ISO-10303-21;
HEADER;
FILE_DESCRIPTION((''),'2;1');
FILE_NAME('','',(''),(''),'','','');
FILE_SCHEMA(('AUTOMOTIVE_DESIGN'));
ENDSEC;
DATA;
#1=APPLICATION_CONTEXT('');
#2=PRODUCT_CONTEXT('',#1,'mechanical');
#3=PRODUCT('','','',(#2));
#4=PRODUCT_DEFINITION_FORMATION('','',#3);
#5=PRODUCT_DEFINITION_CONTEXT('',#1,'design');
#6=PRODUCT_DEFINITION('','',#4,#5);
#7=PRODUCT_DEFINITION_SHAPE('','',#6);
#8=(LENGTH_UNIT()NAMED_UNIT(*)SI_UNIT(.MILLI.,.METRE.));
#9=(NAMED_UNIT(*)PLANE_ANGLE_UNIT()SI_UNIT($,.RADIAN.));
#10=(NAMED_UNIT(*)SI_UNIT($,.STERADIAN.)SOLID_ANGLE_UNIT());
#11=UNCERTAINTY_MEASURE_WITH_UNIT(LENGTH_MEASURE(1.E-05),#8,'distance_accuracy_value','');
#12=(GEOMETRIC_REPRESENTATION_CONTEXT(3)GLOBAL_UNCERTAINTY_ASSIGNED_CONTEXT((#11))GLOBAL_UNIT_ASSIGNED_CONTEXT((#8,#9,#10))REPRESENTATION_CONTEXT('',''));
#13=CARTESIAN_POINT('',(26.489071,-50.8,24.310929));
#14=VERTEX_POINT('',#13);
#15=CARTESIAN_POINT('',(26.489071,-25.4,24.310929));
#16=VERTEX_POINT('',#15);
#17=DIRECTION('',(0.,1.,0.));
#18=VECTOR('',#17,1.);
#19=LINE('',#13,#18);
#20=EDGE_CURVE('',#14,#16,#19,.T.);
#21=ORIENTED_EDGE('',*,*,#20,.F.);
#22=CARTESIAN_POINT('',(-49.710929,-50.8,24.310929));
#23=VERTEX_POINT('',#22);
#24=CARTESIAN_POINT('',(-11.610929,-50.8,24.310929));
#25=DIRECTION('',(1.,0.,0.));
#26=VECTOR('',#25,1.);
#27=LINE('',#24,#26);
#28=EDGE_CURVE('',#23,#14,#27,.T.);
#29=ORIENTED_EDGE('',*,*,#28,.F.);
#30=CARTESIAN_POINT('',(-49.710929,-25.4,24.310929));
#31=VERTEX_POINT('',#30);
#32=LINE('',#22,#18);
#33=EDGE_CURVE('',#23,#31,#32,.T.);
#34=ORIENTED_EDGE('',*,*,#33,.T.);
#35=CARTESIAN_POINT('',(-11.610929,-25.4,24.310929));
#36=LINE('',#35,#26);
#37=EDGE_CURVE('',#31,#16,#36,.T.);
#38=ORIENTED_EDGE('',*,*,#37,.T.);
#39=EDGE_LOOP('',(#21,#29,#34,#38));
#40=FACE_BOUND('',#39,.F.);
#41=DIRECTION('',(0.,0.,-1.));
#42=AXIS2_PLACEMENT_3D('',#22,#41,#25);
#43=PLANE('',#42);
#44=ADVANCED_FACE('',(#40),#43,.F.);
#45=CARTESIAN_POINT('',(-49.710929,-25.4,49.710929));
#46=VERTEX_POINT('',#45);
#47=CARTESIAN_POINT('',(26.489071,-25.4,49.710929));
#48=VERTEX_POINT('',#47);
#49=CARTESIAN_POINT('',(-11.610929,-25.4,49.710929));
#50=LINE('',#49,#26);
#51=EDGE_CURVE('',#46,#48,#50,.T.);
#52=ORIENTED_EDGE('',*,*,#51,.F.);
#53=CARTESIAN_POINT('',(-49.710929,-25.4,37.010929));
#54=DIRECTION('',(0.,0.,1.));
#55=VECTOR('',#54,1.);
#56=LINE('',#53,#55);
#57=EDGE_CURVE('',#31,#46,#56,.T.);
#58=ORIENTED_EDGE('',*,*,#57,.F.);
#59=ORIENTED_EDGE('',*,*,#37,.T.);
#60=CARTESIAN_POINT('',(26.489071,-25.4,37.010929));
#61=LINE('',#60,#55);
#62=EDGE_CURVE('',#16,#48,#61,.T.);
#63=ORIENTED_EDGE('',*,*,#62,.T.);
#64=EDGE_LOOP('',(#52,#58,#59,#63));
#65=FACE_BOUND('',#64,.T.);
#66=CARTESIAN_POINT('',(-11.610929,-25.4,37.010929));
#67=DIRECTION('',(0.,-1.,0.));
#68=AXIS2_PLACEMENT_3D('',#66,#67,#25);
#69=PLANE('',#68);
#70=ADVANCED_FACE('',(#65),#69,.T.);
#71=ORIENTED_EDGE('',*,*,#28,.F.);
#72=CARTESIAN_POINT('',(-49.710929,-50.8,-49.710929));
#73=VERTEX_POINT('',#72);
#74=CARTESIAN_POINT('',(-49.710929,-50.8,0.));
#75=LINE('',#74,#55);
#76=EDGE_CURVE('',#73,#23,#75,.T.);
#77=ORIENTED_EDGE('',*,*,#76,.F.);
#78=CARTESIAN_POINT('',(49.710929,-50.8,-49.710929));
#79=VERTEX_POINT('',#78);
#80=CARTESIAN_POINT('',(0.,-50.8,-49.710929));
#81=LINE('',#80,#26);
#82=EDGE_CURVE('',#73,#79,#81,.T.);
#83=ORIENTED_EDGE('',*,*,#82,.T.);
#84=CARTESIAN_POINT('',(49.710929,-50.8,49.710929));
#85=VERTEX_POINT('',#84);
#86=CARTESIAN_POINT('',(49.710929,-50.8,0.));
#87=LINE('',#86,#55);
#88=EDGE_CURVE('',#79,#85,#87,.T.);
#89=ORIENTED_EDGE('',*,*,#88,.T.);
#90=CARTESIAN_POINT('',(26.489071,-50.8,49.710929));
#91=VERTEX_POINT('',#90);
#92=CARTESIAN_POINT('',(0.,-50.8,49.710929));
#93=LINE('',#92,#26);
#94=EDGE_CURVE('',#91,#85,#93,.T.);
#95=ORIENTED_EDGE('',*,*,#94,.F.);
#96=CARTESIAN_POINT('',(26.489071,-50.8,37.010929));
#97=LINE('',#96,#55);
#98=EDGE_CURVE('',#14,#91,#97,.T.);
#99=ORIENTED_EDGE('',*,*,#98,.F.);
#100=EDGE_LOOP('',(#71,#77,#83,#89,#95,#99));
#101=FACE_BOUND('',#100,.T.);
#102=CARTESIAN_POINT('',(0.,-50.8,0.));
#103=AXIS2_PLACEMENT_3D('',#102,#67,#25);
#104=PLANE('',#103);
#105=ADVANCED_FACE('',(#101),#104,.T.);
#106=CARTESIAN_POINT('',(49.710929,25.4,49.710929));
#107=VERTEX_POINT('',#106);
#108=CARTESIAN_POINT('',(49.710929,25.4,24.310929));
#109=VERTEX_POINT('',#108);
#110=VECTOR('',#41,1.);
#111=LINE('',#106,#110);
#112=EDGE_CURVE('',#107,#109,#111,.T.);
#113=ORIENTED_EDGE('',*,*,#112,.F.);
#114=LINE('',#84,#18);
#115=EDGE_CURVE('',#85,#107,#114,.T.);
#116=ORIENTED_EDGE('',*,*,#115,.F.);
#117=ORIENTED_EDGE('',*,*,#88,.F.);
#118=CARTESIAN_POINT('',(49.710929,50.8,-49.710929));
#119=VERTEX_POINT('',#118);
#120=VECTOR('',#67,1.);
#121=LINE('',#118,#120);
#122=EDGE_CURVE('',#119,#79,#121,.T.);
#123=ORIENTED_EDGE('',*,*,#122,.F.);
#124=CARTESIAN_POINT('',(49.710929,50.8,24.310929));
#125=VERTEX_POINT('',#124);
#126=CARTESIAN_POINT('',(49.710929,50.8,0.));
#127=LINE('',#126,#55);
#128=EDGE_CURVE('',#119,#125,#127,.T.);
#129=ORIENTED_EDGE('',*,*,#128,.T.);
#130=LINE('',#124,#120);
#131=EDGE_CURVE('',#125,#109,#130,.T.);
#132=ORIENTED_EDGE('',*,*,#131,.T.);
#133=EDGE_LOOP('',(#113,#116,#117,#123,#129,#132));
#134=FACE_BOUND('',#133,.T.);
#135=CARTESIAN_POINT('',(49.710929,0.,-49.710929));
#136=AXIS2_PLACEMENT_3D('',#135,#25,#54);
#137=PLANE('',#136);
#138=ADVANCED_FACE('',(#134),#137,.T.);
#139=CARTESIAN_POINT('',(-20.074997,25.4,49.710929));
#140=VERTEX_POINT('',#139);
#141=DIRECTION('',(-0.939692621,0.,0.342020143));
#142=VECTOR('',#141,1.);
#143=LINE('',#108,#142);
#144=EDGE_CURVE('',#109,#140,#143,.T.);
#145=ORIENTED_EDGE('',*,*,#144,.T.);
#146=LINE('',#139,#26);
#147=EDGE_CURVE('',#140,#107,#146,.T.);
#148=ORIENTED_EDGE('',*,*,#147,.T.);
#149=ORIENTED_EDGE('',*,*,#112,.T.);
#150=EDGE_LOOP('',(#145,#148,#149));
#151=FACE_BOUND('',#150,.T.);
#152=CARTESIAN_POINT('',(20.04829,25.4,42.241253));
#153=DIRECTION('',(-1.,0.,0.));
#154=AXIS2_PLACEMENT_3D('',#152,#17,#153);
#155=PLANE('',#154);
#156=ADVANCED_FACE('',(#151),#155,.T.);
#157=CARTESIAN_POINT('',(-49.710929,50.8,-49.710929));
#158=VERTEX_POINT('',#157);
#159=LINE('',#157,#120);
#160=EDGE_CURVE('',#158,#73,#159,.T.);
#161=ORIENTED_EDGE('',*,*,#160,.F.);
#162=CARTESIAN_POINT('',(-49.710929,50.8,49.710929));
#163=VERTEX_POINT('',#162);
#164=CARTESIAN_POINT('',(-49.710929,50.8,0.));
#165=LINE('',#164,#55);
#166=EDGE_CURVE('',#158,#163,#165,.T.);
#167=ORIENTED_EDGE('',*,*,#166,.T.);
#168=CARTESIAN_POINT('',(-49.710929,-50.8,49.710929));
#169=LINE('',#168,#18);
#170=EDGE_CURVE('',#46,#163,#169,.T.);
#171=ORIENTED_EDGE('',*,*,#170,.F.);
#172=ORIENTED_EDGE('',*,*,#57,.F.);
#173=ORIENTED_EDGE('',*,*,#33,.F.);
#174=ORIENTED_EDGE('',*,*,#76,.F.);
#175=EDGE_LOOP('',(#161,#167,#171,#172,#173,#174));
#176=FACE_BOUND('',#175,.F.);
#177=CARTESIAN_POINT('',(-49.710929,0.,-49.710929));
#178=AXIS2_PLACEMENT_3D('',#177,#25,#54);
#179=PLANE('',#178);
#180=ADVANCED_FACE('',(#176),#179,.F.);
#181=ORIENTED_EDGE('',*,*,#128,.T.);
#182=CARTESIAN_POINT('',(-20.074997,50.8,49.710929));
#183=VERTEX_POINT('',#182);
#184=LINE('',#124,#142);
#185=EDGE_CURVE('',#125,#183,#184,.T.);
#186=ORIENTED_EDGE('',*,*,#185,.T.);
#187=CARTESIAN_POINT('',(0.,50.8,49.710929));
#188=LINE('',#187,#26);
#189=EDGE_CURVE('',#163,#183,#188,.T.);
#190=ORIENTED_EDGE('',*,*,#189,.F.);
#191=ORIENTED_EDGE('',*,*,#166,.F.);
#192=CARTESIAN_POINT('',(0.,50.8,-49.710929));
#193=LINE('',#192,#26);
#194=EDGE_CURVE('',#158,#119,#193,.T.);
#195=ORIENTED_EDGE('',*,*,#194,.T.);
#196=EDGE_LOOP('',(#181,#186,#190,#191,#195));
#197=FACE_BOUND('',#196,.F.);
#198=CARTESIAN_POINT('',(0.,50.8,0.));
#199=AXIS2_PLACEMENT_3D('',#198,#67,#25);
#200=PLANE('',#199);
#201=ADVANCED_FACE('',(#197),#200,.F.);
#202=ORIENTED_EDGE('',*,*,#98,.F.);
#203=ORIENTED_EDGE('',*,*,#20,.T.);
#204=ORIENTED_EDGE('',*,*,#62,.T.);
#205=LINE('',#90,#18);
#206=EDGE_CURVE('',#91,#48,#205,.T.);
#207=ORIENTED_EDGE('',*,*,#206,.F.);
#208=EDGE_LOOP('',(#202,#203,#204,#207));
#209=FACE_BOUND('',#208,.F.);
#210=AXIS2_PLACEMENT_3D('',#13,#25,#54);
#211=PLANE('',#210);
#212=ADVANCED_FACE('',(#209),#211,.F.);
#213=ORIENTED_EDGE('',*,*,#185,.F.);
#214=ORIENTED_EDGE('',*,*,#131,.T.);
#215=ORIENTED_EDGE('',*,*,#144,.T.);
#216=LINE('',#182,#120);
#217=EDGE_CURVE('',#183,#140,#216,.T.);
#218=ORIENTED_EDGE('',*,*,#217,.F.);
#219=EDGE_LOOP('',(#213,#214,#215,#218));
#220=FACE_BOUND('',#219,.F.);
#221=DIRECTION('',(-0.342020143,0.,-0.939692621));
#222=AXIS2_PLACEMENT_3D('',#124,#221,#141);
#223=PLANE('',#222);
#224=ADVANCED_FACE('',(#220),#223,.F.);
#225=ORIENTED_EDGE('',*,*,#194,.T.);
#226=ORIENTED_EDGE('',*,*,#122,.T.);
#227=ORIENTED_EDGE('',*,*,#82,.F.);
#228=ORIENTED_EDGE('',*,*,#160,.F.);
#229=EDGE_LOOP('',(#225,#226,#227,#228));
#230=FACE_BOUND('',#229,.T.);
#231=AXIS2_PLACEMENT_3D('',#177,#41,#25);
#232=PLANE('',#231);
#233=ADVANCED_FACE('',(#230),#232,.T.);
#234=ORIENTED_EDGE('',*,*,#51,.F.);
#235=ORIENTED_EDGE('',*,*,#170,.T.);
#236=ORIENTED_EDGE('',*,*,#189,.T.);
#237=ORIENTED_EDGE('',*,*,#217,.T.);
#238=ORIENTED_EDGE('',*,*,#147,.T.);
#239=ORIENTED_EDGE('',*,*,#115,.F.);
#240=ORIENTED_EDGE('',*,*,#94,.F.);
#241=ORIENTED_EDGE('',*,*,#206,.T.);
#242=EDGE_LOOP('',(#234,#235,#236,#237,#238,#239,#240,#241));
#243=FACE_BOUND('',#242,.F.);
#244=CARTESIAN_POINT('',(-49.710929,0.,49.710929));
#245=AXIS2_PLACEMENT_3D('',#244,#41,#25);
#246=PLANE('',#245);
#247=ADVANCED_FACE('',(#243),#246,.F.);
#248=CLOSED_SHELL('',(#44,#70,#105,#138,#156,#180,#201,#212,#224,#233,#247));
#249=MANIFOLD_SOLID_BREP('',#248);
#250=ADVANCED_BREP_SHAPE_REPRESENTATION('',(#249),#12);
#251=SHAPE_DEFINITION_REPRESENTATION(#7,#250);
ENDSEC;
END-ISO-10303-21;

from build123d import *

# Parameters (mm, degrees)
F0_W     = 99.4218587875
F0_H     = 99.4218587875
F1_DEPTH = 50.8
F2_W     = 76.2
F2_H     = 25.4
F3_DEPTH = 25.4
F5_DEPTH = 25.4


with BuildPart() as f1:
    # F0 (on Front) → F1 (new body, symmetric)
    with BuildSketch(Plane.XZ):
        Rectangle(F0_W, F0_H)
    extrude(amount=F1_DEPTH, both=True)

    # F2 (on face) → F3 (cut)
    with BuildSketch(Plane.XZ.offset(50.8)):
        with Locations((-11.6109293938, 37.0109293938)):
            Rectangle(F2_W, F2_H)
    extrude(amount=-F3_DEPTH, mode=Mode.SUBTRACT)

    # F4 (on face) → F5 (cut)
    with BuildSketch(Plane(origin=(0, 50.8, 0), x_dir=(-1, 0, 0), z_dir=(0, 1, 0))):
        Polygon((-49.7109293938, 24.3109293938), (20.0749970604, 49.7109293938), (-49.7109293938, 49.7109293938), align=None)
    extrude(amount=-F5_DEPTH, mode=Mode.SUBTRACT)


solid = f1.part
